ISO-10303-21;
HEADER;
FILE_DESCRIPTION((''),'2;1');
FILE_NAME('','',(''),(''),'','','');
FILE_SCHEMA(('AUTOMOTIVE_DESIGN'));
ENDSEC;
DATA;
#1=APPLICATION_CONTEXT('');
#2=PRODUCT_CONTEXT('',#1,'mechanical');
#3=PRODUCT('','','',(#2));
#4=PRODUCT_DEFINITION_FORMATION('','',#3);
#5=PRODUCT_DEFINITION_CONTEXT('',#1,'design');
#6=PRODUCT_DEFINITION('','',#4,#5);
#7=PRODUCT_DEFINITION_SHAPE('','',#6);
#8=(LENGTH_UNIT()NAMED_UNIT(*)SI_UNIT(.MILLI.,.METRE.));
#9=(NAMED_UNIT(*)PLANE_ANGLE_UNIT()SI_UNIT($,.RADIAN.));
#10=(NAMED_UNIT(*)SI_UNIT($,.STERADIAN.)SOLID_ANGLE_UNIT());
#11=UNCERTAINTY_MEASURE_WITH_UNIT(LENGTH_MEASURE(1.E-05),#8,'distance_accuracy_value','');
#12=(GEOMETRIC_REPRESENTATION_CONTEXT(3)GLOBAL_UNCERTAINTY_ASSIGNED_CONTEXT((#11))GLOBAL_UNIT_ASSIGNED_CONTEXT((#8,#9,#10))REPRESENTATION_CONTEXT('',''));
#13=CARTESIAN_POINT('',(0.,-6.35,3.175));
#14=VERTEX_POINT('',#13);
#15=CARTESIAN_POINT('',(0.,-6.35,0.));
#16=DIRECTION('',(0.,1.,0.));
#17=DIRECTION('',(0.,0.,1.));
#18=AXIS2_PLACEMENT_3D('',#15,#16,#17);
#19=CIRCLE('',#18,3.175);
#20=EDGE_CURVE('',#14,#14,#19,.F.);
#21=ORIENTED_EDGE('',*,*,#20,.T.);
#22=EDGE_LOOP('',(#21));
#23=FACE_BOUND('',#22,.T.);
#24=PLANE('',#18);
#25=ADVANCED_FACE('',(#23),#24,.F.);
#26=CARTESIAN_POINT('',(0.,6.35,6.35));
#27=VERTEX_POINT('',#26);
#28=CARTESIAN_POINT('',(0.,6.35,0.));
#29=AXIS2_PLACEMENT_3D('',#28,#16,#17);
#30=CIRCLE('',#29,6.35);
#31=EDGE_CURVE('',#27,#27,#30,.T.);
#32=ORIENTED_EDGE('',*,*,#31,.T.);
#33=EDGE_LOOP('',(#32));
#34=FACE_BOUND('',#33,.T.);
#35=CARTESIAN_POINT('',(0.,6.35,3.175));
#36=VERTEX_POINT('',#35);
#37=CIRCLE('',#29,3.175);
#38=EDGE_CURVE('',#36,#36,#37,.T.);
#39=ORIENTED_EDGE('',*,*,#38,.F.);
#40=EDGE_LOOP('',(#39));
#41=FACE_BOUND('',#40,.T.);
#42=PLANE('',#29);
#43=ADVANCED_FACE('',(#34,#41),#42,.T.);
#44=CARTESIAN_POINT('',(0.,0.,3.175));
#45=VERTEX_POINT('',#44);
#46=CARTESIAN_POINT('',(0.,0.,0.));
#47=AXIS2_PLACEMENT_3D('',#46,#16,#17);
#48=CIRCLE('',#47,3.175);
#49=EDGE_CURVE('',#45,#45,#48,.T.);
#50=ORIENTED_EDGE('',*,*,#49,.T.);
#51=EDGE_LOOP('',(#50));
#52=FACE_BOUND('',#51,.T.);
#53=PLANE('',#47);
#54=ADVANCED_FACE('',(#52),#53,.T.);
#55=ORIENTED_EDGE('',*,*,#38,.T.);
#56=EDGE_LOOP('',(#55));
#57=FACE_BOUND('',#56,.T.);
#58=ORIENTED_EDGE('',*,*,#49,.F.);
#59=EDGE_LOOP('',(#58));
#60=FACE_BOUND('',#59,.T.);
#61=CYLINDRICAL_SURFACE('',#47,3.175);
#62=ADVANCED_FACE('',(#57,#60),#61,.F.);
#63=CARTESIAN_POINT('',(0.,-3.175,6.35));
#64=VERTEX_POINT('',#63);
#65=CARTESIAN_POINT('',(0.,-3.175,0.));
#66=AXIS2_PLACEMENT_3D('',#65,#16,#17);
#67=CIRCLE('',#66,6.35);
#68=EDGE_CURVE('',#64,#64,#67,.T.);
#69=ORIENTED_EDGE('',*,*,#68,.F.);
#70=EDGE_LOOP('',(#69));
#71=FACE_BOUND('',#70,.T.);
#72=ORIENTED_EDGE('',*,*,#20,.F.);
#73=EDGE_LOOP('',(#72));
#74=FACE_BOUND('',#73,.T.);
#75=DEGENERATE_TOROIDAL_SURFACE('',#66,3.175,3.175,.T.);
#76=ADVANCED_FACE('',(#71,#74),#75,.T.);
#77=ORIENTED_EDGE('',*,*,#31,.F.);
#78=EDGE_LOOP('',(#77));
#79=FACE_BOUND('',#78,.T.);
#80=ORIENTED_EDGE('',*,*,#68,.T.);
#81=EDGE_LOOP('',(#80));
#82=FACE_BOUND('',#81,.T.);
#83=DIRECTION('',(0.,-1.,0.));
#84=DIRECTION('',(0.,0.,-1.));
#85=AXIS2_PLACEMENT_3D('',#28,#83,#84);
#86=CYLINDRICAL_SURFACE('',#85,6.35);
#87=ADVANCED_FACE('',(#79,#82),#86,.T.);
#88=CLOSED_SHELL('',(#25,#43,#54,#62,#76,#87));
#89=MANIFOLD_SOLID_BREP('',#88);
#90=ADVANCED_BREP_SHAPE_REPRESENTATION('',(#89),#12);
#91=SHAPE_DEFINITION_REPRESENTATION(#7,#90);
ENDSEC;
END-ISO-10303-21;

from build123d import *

# Parameters (mm, degrees)
SKETCH1_R           = 6.35
BOSS_EXTRUDE1_DEPTH = 6.35
SKETCH2_R           = 3.175
CUT_EXTRUDE1_DEPTH  = 6.35
FILLET1_R           = 3.175


with BuildPart() as part:
    # Sketch1 → Boss-Extrude1 (new, symmetric)
    with BuildSketch(Plane(origin=(0, 0, 0), x_dir=(1, 0, 0), z_dir=(0, 1, 0))):
        with Locations(Location((0, 0, 0), (0, 0, 270))):
            Circle(SKETCH1_R)
    extrude(amount=BOSS_EXTRUDE1_DEPTH, both=True)

    # Sketch2 → Cut-Extrude1 (cut)
    with BuildSketch(Plane(origin=(0, 6.35, 0), x_dir=(1, 0, 0), z_dir=(0, 1, 0))):
        with Locations(Location((0, 0, 0), (0, 0, 270))):
            Circle(SKETCH2_R)
    extrude(amount=-CUT_EXTRUDE1_DEPTH, mode=Mode.SUBTRACT)

    # Fillet1
    fillet1_edges = [part.edges().sort_by_distance(p)[0] for p in [
        (0, -6.35, -6.35),
    ]]
    fillet(fillet1_edges, radius=FILLET1_R)


solid = part.part
